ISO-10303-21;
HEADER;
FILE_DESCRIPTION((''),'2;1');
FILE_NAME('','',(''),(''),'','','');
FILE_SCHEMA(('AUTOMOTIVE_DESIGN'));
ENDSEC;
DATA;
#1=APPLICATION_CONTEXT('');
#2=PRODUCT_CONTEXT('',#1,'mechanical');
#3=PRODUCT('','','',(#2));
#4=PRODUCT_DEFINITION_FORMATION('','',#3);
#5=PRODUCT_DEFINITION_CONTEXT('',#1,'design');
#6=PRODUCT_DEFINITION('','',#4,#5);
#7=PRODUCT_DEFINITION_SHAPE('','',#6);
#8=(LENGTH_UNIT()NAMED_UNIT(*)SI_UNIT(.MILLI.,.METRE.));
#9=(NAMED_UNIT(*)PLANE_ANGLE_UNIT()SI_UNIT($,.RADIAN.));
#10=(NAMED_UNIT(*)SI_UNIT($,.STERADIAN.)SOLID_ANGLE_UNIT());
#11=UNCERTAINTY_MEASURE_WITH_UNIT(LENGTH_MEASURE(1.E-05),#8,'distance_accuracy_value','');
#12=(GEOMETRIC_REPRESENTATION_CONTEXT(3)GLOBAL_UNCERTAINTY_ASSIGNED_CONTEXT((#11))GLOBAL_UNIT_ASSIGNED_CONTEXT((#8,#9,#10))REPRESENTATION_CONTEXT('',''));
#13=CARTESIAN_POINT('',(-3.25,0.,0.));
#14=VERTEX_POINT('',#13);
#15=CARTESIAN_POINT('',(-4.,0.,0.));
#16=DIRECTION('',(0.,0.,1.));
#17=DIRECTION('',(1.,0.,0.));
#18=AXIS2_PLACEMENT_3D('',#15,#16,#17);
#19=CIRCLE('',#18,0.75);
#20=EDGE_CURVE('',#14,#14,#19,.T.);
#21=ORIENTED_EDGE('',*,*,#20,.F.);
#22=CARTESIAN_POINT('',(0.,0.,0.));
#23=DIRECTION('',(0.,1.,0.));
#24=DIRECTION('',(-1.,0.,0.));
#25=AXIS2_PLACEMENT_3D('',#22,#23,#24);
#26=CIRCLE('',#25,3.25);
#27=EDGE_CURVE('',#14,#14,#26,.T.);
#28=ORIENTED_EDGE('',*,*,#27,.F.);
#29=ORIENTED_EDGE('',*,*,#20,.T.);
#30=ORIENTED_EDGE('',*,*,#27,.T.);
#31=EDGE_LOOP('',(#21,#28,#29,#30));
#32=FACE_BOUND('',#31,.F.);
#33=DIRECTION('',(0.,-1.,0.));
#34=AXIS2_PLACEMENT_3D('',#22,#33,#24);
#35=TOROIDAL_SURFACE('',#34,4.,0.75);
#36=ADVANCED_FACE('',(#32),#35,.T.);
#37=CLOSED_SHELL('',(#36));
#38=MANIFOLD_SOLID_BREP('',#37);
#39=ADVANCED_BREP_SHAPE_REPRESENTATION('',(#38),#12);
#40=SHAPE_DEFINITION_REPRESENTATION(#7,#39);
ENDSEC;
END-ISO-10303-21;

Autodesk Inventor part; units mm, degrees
ref_plane "YZ Plane" through (0, 0, 0) normal (1, 0, 0) x (0, 1, 0)
ref_plane "XZ Plane" through (0, 0, 0) normal (0, 1, 0) x (-1, 0, 0)
ref_plane "XY Plane" through (0, 0, 0) normal (0, 0, 1) x (1, 0, 0)
sketch "Esboço1" plane through (0, 0, 0) normal (0, 0, 1) x (1, 0, 0)
  line L0 (0, 0) -> (0, 13.919)
  line L1 (0, 0) -> (4, 0)
  line L2 (4, 0) -> (-4, 0)
  circle A0 centre (-4, 0) radius 0.75
  dimension "d0" = 4
  dimension "d1" = 8
  dimension "d2" = 1.5
revolve "Revolução1" add sketch "Esboço1" angle 360 about axis through (0, 0, 0) along (0, 1, 0)
properties part number "anel de borracha para m6" material "Borracha"
